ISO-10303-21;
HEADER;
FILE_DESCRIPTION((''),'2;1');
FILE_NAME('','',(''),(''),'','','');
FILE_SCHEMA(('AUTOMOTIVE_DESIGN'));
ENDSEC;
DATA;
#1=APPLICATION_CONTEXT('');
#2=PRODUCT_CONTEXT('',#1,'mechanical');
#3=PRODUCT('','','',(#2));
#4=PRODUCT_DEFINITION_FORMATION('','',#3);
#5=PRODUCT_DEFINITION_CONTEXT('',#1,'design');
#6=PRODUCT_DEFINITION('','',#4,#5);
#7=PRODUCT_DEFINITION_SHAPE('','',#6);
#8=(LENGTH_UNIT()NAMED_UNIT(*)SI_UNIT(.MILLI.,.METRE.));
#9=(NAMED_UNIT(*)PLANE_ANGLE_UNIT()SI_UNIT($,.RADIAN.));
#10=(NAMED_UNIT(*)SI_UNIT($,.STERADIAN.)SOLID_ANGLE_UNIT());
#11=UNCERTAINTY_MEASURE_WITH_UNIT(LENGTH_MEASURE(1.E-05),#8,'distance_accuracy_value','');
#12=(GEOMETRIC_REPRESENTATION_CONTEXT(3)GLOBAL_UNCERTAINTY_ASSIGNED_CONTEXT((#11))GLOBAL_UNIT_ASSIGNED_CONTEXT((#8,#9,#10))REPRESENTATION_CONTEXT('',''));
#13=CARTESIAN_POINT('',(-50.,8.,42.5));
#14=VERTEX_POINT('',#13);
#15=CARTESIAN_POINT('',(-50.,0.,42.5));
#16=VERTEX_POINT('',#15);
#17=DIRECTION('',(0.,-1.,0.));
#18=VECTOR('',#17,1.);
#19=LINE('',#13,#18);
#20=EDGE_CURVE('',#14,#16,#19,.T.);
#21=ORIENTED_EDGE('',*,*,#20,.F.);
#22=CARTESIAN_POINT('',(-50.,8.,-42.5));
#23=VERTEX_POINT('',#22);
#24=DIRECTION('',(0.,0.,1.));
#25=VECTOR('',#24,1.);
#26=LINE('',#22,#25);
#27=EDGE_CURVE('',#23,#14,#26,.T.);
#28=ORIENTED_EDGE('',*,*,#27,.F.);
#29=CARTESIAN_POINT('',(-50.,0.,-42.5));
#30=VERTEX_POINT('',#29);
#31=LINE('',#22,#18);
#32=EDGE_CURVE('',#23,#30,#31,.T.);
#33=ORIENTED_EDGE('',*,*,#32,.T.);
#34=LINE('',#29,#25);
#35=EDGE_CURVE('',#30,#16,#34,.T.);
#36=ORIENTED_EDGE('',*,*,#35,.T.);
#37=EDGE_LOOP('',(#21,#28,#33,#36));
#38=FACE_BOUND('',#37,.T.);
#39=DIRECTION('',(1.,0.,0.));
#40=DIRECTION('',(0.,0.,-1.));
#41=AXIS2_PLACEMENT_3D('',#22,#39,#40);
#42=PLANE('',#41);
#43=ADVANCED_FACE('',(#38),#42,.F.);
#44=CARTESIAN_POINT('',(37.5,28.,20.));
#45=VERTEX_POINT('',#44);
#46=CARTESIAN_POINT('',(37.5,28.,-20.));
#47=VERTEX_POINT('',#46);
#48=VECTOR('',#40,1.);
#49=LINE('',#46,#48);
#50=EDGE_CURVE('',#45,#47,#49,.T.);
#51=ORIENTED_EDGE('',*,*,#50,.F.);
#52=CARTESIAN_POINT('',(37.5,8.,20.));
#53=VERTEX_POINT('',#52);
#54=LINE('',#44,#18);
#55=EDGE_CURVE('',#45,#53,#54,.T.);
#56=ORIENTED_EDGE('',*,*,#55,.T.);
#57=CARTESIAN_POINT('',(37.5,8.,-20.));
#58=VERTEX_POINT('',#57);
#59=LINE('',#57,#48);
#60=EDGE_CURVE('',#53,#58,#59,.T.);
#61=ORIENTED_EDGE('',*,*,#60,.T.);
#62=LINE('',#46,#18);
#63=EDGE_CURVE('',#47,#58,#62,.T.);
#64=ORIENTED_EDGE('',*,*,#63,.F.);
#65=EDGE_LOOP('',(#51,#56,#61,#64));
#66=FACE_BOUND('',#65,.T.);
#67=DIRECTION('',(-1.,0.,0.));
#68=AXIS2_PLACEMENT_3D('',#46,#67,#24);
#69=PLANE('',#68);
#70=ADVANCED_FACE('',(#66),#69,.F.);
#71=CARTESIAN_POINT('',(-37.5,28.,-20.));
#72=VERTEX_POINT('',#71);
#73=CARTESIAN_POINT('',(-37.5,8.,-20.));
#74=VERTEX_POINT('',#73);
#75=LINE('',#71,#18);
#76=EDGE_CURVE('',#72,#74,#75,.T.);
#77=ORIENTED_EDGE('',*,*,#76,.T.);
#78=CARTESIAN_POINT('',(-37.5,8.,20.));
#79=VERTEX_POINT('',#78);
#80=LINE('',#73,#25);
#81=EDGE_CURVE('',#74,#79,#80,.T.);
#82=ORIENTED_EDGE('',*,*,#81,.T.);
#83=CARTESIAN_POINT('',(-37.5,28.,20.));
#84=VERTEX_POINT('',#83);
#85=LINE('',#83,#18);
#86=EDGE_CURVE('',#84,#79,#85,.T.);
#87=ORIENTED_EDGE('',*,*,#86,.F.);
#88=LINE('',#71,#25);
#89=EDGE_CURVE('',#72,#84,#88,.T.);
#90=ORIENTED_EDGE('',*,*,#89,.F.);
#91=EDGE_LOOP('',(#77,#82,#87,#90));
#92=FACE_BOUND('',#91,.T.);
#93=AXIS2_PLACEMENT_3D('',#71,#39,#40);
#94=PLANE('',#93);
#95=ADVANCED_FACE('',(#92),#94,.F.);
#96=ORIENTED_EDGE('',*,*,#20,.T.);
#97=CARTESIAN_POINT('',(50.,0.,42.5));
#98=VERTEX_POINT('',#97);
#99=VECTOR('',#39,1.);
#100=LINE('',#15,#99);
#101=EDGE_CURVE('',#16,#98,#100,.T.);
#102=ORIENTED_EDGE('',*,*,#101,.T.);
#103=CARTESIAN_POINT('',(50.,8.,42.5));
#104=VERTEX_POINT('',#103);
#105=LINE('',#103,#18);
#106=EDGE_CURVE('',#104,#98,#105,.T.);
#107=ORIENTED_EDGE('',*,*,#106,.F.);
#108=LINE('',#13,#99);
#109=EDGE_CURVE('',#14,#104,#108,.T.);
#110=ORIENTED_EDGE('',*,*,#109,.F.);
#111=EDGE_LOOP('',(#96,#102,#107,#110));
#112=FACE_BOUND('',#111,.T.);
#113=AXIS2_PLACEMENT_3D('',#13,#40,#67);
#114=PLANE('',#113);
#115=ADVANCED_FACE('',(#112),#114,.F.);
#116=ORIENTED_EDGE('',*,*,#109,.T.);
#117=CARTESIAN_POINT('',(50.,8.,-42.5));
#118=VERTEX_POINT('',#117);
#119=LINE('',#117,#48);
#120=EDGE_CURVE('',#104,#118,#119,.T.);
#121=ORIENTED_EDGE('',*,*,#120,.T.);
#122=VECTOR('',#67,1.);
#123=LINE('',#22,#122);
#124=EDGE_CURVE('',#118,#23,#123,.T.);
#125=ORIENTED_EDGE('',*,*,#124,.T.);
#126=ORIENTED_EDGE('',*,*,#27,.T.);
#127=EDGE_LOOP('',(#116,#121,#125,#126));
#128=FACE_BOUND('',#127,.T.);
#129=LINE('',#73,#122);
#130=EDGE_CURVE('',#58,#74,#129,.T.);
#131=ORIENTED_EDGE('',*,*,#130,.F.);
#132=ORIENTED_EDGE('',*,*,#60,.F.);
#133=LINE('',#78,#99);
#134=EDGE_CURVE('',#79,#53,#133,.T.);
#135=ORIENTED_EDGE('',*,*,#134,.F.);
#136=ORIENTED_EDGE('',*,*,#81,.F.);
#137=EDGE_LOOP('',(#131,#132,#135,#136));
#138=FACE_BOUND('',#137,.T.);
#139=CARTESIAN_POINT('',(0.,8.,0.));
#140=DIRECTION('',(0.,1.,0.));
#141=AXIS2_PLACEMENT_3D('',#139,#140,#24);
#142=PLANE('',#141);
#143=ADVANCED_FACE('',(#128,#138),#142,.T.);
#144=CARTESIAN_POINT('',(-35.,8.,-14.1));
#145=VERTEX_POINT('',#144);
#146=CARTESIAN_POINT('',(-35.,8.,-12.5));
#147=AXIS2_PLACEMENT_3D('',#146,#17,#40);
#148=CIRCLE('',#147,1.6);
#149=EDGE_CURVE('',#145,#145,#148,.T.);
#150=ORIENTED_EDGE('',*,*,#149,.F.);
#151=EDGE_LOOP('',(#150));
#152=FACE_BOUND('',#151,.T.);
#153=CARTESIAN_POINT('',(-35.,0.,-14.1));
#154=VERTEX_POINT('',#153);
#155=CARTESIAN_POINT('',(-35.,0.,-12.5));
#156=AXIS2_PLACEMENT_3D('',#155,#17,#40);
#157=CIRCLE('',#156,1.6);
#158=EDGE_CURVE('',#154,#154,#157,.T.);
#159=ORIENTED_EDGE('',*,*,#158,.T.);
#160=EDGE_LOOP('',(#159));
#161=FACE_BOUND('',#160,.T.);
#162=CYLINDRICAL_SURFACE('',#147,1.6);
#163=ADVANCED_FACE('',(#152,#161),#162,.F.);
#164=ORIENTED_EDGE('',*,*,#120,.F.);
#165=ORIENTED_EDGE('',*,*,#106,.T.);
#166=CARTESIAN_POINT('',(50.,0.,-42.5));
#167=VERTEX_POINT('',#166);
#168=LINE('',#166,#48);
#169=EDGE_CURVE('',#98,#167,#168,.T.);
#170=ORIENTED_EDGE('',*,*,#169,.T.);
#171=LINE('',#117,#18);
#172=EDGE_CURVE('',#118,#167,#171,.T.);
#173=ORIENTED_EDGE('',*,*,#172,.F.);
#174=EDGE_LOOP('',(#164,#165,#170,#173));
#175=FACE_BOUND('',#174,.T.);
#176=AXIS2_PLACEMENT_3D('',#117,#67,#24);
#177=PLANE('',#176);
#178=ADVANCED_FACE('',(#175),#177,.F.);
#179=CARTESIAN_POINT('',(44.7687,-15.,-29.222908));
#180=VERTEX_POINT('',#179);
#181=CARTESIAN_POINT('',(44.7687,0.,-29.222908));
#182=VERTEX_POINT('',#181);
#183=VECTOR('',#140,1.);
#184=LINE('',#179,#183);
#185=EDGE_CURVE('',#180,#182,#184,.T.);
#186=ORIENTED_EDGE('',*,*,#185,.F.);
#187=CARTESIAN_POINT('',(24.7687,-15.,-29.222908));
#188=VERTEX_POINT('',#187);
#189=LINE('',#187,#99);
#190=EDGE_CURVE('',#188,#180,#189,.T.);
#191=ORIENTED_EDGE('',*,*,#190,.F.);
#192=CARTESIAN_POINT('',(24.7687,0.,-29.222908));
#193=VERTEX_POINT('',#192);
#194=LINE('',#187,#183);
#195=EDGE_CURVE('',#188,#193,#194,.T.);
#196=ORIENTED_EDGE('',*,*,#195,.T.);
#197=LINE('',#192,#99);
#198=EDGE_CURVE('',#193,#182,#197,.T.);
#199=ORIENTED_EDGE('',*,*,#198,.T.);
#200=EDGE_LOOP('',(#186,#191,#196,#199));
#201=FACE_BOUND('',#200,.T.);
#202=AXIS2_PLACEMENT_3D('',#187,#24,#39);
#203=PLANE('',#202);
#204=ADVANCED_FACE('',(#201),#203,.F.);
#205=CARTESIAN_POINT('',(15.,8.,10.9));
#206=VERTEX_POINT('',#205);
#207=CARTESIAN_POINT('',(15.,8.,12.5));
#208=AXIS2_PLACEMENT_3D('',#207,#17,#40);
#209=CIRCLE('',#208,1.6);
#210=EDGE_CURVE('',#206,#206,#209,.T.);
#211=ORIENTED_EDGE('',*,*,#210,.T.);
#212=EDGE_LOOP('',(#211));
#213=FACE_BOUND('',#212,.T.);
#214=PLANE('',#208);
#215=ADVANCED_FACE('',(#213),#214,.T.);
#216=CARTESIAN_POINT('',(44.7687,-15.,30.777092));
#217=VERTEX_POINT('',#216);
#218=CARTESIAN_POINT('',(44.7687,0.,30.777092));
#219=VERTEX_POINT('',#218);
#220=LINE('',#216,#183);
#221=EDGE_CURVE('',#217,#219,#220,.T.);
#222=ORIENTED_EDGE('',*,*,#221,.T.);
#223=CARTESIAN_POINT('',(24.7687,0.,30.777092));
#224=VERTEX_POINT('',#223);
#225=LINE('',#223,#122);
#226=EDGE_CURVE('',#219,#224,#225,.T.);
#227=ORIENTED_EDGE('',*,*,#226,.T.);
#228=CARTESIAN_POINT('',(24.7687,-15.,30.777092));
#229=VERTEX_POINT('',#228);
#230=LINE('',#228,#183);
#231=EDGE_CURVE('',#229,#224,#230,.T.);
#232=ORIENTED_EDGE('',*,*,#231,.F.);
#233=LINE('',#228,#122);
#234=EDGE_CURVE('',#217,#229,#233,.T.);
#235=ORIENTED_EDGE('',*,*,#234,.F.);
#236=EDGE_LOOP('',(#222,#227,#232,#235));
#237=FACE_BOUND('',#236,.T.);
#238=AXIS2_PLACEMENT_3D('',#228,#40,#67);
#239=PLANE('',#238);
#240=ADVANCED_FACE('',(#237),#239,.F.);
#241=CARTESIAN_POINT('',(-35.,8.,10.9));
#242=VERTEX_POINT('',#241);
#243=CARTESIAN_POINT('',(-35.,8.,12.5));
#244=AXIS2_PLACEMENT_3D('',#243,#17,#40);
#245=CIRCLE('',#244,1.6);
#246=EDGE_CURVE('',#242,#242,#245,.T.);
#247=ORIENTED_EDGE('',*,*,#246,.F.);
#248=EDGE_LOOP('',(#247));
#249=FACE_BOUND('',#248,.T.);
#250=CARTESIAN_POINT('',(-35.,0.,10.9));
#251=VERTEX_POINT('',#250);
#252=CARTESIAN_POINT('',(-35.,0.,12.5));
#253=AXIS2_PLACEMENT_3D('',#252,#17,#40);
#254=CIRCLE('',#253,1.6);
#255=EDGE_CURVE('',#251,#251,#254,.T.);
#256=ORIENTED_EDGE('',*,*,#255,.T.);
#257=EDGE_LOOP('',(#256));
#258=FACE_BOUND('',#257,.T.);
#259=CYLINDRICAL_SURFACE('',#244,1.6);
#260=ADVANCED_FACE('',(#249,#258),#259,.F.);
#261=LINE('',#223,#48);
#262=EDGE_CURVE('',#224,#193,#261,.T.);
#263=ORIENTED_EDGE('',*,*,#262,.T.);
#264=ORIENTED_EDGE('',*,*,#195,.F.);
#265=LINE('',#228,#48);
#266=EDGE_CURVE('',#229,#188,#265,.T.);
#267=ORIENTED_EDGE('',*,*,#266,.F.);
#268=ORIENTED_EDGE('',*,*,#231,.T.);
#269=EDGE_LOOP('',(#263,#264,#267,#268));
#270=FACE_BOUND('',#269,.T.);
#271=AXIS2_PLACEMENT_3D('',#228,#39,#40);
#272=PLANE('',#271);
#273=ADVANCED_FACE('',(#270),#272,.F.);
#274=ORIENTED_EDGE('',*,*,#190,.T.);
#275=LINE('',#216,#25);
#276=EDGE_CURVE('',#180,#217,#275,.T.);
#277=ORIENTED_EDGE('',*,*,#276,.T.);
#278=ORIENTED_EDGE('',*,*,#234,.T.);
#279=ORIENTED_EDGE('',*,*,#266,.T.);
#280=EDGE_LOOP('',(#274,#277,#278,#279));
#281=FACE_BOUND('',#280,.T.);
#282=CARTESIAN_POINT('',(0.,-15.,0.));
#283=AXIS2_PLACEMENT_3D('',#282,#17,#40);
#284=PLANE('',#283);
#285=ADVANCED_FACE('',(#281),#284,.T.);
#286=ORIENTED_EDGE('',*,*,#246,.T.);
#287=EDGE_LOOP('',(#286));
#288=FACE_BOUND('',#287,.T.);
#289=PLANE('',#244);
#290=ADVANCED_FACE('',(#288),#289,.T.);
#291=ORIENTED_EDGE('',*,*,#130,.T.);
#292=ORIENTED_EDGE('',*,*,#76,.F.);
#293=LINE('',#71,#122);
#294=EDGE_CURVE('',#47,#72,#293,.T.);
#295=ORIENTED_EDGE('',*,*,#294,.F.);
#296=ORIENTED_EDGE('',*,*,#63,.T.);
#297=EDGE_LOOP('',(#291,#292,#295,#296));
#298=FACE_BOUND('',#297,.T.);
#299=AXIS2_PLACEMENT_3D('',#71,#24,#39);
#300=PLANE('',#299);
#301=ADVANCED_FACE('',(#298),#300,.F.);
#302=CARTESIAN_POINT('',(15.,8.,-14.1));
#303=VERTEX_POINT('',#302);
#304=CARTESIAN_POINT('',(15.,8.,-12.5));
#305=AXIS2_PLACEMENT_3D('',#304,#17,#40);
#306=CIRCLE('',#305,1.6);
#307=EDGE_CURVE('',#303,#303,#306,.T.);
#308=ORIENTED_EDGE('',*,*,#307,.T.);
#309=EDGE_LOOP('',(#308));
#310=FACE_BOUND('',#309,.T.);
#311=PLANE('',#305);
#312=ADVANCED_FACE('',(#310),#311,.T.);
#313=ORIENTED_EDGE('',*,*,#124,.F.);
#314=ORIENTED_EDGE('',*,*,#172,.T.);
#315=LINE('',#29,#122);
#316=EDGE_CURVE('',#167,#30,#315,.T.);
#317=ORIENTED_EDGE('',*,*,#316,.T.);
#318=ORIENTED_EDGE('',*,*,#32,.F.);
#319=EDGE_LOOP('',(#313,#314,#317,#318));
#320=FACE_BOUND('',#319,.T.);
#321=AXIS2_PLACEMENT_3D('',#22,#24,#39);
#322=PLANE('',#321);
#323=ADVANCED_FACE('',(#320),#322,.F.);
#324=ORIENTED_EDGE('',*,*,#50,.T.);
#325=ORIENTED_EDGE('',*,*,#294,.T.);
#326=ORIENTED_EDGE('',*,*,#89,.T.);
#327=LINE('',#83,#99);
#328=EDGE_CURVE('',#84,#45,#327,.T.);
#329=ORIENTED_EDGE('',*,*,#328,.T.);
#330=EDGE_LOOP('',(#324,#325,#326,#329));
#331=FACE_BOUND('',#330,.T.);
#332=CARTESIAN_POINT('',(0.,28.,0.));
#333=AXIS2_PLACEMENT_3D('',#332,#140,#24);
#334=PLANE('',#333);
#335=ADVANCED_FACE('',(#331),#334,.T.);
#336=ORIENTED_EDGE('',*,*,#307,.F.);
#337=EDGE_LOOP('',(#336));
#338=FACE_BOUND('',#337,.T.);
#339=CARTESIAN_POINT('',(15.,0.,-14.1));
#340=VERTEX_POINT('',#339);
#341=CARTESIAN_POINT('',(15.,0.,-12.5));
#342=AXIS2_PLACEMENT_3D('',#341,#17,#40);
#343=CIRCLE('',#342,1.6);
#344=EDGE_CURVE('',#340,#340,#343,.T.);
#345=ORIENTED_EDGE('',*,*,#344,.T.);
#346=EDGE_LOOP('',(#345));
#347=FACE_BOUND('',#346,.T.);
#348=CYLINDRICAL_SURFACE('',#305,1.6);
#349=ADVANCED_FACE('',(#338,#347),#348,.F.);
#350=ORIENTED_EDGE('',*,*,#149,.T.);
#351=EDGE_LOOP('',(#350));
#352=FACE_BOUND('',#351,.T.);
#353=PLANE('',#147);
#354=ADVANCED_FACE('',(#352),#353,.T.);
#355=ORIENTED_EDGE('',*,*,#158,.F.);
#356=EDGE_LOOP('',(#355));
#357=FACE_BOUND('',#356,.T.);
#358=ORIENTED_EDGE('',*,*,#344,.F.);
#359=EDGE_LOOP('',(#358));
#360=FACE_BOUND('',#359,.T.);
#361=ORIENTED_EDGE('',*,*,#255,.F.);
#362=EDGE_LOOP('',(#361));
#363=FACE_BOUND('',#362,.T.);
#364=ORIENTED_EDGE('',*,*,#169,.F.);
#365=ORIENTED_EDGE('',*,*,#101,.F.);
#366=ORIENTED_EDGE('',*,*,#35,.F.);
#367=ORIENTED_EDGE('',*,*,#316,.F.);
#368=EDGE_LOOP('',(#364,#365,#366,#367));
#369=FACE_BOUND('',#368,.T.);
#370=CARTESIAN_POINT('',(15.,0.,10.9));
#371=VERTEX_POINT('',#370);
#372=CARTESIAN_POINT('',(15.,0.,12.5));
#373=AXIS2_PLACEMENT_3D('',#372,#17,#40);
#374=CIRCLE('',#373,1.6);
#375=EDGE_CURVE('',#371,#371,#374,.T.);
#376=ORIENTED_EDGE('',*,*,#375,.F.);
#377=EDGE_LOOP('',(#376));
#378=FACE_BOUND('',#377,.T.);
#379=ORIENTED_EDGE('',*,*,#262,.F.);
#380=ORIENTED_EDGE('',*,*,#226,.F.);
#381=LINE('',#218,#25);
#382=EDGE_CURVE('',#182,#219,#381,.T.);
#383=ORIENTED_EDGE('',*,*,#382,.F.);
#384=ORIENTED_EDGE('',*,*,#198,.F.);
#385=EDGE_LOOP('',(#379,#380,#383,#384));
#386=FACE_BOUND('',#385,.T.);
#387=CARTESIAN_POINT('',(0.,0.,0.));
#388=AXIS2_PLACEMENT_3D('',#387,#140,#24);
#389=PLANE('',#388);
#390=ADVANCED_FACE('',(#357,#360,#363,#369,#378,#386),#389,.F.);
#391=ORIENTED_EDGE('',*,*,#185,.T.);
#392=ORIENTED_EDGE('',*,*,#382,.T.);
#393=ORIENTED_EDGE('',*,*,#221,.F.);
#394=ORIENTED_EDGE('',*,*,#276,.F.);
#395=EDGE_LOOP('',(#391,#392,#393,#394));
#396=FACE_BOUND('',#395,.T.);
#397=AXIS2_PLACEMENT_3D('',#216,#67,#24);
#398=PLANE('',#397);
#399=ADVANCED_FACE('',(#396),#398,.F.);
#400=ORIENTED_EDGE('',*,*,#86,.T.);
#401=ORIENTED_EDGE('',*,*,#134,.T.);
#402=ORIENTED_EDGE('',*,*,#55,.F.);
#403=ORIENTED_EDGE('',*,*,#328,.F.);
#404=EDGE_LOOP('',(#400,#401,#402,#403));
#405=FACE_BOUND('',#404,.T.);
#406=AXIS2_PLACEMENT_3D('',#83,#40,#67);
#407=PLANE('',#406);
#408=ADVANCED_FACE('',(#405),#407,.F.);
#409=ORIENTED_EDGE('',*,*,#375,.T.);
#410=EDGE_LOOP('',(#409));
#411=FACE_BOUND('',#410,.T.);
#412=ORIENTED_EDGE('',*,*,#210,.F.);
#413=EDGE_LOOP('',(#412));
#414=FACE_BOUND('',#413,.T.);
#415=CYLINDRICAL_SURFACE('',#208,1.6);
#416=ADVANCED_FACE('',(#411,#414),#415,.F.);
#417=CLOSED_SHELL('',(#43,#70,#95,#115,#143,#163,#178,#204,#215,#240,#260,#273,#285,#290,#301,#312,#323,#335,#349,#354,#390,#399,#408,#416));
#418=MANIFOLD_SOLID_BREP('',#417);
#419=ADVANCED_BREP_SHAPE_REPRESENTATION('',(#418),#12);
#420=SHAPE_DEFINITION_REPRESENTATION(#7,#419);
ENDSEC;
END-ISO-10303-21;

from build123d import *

# Parameters (mm, degrees)
SKETCH_1_W          = 100
SKETCH_1_H          = 85
EXTRUDE_1_DEPTH     = 8
SKETCH_2_W          = 75
SKETCH_2_H          = 40
EXTRUDE_2_DEPTH     = 20
SKETCH_3_W          = 20
SKETCH_3_H          = 60
EXTRUDE_3_DEPTH     = 15
SKETCH_4_R          = 1.6
CUT_EXTRUDE_1_DEPTH = 8


with BuildPart() as part:
    # 草图1 → 凸台-拉伸1 (new body)
    with BuildSketch(Plane(origin=(0, 0, 0), x_dir=(1, 0, 0), z_dir=(0, 1, 0))):
        Rectangle(SKETCH_1_W, SKETCH_1_H)
    extrude(amount=EXTRUDE_1_DEPTH)

    # 草图2 → 凸台-拉伸2 (add)
    with BuildSketch(Plane(origin=(0, 8, 0), x_dir=(1, 0, 0), z_dir=(0, 1, 0))):
        Rectangle(SKETCH_2_W, SKETCH_2_H)
    extrude(amount=EXTRUDE_2_DEPTH)

    # 草图3 → 凸台-拉伸3 (add)
    with BuildSketch(Plane.XZ):
        with Locations((34.768700032, 0.777091897)):
            Rectangle(SKETCH_3_W, SKETCH_3_H)
    extrude(amount=EXTRUDE_3_DEPTH)

    # 草图4 → 切除-拉伸1 (cut)
    with BuildSketch(Plane.XZ):
        with Locations((15, -12.5)):
            Circle(SKETCH_4_R)
        with Locations((15, 12.5)):
            Circle(SKETCH_4_R)
        with Locations((-35, 12.5)):
            Circle(SKETCH_4_R)
        with Locations((-35, -12.5)):
            Circle(SKETCH_4_R)
    extrude(amount=-CUT_EXTRUDE_1_DEPTH, mode=Mode.SUBTRACT)


solid = part.part
